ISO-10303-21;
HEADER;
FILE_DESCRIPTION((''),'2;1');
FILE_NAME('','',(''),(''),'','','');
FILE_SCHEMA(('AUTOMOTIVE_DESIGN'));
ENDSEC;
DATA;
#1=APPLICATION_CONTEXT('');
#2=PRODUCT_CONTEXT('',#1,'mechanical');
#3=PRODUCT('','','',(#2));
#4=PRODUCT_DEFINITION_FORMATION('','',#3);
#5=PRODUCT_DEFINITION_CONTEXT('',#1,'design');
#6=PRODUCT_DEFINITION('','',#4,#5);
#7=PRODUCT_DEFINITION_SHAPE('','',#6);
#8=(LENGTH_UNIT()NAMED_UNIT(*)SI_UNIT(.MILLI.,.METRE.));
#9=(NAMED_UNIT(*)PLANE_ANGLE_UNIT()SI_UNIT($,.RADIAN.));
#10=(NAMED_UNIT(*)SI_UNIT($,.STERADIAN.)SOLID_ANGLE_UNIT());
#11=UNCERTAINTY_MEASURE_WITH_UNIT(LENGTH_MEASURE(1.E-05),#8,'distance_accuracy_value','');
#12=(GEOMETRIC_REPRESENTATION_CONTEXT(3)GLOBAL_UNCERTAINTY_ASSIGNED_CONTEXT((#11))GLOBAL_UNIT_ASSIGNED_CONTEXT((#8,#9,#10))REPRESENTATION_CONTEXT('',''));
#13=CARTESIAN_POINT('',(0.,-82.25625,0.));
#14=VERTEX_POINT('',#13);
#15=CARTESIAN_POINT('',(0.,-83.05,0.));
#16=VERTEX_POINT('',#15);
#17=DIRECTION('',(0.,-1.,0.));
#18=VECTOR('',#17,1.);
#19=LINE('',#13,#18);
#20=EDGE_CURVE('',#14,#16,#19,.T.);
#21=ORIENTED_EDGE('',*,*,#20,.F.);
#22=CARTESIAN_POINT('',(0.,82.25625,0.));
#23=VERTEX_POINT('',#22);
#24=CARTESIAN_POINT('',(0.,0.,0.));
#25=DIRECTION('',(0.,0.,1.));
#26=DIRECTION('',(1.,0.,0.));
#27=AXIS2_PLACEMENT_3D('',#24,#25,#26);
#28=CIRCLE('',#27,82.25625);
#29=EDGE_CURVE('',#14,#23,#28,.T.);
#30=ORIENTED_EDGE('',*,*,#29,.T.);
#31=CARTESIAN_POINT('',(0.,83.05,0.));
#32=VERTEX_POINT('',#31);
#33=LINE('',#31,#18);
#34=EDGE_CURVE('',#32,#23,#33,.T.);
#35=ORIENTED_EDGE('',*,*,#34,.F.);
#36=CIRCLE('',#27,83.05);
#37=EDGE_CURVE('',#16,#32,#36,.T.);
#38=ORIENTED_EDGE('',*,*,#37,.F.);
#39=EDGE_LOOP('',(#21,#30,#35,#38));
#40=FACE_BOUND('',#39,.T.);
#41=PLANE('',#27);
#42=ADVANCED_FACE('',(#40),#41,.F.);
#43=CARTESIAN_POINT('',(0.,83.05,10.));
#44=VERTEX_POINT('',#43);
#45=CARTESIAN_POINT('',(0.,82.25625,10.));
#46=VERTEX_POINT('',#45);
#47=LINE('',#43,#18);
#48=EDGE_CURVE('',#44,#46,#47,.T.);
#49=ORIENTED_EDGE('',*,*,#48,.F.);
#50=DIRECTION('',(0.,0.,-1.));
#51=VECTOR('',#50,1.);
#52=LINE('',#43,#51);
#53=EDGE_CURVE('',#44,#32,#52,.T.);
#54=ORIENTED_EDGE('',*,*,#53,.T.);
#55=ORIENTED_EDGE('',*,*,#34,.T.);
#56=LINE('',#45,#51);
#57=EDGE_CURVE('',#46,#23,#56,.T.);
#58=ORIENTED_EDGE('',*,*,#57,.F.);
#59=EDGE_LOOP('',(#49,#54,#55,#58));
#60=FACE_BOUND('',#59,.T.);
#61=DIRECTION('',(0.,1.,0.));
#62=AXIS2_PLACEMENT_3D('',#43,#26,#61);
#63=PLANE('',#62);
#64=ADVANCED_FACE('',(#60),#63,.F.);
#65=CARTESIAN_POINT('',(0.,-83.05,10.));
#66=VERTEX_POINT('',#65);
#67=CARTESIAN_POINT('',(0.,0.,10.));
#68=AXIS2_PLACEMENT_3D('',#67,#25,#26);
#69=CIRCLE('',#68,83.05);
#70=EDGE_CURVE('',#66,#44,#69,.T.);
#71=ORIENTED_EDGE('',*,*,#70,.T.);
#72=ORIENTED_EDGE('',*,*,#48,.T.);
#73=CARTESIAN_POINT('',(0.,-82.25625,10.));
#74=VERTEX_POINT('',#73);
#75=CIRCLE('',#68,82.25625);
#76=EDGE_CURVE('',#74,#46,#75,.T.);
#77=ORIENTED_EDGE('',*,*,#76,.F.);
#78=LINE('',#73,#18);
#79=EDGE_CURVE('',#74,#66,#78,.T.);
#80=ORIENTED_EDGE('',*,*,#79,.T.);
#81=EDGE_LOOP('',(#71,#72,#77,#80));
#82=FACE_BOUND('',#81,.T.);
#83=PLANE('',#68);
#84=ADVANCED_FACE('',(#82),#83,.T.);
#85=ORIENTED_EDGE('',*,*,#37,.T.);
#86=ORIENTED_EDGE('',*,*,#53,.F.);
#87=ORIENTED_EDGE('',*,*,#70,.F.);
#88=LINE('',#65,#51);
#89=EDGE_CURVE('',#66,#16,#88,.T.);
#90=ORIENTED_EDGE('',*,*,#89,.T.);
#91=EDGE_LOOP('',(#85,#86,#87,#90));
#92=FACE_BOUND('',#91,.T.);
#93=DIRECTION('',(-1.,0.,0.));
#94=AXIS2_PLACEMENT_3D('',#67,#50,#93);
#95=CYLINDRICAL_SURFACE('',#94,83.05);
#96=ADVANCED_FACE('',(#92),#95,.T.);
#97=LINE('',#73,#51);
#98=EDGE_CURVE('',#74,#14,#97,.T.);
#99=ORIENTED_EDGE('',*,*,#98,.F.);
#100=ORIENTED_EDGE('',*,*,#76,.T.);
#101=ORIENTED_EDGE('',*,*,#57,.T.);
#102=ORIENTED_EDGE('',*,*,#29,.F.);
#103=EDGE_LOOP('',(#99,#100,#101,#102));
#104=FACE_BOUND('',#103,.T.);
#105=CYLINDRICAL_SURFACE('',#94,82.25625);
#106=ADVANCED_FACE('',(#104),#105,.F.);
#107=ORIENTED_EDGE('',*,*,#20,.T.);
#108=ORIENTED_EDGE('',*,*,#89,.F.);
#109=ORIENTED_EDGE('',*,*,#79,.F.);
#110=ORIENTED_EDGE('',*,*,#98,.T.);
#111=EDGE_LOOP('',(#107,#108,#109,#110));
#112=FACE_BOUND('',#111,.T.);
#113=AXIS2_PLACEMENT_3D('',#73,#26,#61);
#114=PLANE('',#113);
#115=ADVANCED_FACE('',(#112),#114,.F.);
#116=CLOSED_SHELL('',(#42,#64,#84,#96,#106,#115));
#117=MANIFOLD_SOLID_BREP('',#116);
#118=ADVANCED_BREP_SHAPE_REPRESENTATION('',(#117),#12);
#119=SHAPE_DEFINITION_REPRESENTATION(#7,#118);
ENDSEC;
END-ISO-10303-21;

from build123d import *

# Parameters (mm, degrees)
BOSS_EXTRUDE1_DEPTH = 10


with BuildPart() as part:
    # Sketch1 → Boss-Extrude1 (new body)
    with BuildSketch(Plane.XY):
        with BuildLine():
            Line((0, 83.05), (0, 82.25625))
            ThreePointArc((0, 82.25625), (82.25625, 0), (0, -82.25625))
            Line((0, -82.25625), (0, -83.05))
            ThreePointArc((0, -83.05), (83.05, 0), (0, 83.05))
        make_face()
    extrude(amount=BOSS_EXTRUDE1_DEPTH)


solid = part.part
